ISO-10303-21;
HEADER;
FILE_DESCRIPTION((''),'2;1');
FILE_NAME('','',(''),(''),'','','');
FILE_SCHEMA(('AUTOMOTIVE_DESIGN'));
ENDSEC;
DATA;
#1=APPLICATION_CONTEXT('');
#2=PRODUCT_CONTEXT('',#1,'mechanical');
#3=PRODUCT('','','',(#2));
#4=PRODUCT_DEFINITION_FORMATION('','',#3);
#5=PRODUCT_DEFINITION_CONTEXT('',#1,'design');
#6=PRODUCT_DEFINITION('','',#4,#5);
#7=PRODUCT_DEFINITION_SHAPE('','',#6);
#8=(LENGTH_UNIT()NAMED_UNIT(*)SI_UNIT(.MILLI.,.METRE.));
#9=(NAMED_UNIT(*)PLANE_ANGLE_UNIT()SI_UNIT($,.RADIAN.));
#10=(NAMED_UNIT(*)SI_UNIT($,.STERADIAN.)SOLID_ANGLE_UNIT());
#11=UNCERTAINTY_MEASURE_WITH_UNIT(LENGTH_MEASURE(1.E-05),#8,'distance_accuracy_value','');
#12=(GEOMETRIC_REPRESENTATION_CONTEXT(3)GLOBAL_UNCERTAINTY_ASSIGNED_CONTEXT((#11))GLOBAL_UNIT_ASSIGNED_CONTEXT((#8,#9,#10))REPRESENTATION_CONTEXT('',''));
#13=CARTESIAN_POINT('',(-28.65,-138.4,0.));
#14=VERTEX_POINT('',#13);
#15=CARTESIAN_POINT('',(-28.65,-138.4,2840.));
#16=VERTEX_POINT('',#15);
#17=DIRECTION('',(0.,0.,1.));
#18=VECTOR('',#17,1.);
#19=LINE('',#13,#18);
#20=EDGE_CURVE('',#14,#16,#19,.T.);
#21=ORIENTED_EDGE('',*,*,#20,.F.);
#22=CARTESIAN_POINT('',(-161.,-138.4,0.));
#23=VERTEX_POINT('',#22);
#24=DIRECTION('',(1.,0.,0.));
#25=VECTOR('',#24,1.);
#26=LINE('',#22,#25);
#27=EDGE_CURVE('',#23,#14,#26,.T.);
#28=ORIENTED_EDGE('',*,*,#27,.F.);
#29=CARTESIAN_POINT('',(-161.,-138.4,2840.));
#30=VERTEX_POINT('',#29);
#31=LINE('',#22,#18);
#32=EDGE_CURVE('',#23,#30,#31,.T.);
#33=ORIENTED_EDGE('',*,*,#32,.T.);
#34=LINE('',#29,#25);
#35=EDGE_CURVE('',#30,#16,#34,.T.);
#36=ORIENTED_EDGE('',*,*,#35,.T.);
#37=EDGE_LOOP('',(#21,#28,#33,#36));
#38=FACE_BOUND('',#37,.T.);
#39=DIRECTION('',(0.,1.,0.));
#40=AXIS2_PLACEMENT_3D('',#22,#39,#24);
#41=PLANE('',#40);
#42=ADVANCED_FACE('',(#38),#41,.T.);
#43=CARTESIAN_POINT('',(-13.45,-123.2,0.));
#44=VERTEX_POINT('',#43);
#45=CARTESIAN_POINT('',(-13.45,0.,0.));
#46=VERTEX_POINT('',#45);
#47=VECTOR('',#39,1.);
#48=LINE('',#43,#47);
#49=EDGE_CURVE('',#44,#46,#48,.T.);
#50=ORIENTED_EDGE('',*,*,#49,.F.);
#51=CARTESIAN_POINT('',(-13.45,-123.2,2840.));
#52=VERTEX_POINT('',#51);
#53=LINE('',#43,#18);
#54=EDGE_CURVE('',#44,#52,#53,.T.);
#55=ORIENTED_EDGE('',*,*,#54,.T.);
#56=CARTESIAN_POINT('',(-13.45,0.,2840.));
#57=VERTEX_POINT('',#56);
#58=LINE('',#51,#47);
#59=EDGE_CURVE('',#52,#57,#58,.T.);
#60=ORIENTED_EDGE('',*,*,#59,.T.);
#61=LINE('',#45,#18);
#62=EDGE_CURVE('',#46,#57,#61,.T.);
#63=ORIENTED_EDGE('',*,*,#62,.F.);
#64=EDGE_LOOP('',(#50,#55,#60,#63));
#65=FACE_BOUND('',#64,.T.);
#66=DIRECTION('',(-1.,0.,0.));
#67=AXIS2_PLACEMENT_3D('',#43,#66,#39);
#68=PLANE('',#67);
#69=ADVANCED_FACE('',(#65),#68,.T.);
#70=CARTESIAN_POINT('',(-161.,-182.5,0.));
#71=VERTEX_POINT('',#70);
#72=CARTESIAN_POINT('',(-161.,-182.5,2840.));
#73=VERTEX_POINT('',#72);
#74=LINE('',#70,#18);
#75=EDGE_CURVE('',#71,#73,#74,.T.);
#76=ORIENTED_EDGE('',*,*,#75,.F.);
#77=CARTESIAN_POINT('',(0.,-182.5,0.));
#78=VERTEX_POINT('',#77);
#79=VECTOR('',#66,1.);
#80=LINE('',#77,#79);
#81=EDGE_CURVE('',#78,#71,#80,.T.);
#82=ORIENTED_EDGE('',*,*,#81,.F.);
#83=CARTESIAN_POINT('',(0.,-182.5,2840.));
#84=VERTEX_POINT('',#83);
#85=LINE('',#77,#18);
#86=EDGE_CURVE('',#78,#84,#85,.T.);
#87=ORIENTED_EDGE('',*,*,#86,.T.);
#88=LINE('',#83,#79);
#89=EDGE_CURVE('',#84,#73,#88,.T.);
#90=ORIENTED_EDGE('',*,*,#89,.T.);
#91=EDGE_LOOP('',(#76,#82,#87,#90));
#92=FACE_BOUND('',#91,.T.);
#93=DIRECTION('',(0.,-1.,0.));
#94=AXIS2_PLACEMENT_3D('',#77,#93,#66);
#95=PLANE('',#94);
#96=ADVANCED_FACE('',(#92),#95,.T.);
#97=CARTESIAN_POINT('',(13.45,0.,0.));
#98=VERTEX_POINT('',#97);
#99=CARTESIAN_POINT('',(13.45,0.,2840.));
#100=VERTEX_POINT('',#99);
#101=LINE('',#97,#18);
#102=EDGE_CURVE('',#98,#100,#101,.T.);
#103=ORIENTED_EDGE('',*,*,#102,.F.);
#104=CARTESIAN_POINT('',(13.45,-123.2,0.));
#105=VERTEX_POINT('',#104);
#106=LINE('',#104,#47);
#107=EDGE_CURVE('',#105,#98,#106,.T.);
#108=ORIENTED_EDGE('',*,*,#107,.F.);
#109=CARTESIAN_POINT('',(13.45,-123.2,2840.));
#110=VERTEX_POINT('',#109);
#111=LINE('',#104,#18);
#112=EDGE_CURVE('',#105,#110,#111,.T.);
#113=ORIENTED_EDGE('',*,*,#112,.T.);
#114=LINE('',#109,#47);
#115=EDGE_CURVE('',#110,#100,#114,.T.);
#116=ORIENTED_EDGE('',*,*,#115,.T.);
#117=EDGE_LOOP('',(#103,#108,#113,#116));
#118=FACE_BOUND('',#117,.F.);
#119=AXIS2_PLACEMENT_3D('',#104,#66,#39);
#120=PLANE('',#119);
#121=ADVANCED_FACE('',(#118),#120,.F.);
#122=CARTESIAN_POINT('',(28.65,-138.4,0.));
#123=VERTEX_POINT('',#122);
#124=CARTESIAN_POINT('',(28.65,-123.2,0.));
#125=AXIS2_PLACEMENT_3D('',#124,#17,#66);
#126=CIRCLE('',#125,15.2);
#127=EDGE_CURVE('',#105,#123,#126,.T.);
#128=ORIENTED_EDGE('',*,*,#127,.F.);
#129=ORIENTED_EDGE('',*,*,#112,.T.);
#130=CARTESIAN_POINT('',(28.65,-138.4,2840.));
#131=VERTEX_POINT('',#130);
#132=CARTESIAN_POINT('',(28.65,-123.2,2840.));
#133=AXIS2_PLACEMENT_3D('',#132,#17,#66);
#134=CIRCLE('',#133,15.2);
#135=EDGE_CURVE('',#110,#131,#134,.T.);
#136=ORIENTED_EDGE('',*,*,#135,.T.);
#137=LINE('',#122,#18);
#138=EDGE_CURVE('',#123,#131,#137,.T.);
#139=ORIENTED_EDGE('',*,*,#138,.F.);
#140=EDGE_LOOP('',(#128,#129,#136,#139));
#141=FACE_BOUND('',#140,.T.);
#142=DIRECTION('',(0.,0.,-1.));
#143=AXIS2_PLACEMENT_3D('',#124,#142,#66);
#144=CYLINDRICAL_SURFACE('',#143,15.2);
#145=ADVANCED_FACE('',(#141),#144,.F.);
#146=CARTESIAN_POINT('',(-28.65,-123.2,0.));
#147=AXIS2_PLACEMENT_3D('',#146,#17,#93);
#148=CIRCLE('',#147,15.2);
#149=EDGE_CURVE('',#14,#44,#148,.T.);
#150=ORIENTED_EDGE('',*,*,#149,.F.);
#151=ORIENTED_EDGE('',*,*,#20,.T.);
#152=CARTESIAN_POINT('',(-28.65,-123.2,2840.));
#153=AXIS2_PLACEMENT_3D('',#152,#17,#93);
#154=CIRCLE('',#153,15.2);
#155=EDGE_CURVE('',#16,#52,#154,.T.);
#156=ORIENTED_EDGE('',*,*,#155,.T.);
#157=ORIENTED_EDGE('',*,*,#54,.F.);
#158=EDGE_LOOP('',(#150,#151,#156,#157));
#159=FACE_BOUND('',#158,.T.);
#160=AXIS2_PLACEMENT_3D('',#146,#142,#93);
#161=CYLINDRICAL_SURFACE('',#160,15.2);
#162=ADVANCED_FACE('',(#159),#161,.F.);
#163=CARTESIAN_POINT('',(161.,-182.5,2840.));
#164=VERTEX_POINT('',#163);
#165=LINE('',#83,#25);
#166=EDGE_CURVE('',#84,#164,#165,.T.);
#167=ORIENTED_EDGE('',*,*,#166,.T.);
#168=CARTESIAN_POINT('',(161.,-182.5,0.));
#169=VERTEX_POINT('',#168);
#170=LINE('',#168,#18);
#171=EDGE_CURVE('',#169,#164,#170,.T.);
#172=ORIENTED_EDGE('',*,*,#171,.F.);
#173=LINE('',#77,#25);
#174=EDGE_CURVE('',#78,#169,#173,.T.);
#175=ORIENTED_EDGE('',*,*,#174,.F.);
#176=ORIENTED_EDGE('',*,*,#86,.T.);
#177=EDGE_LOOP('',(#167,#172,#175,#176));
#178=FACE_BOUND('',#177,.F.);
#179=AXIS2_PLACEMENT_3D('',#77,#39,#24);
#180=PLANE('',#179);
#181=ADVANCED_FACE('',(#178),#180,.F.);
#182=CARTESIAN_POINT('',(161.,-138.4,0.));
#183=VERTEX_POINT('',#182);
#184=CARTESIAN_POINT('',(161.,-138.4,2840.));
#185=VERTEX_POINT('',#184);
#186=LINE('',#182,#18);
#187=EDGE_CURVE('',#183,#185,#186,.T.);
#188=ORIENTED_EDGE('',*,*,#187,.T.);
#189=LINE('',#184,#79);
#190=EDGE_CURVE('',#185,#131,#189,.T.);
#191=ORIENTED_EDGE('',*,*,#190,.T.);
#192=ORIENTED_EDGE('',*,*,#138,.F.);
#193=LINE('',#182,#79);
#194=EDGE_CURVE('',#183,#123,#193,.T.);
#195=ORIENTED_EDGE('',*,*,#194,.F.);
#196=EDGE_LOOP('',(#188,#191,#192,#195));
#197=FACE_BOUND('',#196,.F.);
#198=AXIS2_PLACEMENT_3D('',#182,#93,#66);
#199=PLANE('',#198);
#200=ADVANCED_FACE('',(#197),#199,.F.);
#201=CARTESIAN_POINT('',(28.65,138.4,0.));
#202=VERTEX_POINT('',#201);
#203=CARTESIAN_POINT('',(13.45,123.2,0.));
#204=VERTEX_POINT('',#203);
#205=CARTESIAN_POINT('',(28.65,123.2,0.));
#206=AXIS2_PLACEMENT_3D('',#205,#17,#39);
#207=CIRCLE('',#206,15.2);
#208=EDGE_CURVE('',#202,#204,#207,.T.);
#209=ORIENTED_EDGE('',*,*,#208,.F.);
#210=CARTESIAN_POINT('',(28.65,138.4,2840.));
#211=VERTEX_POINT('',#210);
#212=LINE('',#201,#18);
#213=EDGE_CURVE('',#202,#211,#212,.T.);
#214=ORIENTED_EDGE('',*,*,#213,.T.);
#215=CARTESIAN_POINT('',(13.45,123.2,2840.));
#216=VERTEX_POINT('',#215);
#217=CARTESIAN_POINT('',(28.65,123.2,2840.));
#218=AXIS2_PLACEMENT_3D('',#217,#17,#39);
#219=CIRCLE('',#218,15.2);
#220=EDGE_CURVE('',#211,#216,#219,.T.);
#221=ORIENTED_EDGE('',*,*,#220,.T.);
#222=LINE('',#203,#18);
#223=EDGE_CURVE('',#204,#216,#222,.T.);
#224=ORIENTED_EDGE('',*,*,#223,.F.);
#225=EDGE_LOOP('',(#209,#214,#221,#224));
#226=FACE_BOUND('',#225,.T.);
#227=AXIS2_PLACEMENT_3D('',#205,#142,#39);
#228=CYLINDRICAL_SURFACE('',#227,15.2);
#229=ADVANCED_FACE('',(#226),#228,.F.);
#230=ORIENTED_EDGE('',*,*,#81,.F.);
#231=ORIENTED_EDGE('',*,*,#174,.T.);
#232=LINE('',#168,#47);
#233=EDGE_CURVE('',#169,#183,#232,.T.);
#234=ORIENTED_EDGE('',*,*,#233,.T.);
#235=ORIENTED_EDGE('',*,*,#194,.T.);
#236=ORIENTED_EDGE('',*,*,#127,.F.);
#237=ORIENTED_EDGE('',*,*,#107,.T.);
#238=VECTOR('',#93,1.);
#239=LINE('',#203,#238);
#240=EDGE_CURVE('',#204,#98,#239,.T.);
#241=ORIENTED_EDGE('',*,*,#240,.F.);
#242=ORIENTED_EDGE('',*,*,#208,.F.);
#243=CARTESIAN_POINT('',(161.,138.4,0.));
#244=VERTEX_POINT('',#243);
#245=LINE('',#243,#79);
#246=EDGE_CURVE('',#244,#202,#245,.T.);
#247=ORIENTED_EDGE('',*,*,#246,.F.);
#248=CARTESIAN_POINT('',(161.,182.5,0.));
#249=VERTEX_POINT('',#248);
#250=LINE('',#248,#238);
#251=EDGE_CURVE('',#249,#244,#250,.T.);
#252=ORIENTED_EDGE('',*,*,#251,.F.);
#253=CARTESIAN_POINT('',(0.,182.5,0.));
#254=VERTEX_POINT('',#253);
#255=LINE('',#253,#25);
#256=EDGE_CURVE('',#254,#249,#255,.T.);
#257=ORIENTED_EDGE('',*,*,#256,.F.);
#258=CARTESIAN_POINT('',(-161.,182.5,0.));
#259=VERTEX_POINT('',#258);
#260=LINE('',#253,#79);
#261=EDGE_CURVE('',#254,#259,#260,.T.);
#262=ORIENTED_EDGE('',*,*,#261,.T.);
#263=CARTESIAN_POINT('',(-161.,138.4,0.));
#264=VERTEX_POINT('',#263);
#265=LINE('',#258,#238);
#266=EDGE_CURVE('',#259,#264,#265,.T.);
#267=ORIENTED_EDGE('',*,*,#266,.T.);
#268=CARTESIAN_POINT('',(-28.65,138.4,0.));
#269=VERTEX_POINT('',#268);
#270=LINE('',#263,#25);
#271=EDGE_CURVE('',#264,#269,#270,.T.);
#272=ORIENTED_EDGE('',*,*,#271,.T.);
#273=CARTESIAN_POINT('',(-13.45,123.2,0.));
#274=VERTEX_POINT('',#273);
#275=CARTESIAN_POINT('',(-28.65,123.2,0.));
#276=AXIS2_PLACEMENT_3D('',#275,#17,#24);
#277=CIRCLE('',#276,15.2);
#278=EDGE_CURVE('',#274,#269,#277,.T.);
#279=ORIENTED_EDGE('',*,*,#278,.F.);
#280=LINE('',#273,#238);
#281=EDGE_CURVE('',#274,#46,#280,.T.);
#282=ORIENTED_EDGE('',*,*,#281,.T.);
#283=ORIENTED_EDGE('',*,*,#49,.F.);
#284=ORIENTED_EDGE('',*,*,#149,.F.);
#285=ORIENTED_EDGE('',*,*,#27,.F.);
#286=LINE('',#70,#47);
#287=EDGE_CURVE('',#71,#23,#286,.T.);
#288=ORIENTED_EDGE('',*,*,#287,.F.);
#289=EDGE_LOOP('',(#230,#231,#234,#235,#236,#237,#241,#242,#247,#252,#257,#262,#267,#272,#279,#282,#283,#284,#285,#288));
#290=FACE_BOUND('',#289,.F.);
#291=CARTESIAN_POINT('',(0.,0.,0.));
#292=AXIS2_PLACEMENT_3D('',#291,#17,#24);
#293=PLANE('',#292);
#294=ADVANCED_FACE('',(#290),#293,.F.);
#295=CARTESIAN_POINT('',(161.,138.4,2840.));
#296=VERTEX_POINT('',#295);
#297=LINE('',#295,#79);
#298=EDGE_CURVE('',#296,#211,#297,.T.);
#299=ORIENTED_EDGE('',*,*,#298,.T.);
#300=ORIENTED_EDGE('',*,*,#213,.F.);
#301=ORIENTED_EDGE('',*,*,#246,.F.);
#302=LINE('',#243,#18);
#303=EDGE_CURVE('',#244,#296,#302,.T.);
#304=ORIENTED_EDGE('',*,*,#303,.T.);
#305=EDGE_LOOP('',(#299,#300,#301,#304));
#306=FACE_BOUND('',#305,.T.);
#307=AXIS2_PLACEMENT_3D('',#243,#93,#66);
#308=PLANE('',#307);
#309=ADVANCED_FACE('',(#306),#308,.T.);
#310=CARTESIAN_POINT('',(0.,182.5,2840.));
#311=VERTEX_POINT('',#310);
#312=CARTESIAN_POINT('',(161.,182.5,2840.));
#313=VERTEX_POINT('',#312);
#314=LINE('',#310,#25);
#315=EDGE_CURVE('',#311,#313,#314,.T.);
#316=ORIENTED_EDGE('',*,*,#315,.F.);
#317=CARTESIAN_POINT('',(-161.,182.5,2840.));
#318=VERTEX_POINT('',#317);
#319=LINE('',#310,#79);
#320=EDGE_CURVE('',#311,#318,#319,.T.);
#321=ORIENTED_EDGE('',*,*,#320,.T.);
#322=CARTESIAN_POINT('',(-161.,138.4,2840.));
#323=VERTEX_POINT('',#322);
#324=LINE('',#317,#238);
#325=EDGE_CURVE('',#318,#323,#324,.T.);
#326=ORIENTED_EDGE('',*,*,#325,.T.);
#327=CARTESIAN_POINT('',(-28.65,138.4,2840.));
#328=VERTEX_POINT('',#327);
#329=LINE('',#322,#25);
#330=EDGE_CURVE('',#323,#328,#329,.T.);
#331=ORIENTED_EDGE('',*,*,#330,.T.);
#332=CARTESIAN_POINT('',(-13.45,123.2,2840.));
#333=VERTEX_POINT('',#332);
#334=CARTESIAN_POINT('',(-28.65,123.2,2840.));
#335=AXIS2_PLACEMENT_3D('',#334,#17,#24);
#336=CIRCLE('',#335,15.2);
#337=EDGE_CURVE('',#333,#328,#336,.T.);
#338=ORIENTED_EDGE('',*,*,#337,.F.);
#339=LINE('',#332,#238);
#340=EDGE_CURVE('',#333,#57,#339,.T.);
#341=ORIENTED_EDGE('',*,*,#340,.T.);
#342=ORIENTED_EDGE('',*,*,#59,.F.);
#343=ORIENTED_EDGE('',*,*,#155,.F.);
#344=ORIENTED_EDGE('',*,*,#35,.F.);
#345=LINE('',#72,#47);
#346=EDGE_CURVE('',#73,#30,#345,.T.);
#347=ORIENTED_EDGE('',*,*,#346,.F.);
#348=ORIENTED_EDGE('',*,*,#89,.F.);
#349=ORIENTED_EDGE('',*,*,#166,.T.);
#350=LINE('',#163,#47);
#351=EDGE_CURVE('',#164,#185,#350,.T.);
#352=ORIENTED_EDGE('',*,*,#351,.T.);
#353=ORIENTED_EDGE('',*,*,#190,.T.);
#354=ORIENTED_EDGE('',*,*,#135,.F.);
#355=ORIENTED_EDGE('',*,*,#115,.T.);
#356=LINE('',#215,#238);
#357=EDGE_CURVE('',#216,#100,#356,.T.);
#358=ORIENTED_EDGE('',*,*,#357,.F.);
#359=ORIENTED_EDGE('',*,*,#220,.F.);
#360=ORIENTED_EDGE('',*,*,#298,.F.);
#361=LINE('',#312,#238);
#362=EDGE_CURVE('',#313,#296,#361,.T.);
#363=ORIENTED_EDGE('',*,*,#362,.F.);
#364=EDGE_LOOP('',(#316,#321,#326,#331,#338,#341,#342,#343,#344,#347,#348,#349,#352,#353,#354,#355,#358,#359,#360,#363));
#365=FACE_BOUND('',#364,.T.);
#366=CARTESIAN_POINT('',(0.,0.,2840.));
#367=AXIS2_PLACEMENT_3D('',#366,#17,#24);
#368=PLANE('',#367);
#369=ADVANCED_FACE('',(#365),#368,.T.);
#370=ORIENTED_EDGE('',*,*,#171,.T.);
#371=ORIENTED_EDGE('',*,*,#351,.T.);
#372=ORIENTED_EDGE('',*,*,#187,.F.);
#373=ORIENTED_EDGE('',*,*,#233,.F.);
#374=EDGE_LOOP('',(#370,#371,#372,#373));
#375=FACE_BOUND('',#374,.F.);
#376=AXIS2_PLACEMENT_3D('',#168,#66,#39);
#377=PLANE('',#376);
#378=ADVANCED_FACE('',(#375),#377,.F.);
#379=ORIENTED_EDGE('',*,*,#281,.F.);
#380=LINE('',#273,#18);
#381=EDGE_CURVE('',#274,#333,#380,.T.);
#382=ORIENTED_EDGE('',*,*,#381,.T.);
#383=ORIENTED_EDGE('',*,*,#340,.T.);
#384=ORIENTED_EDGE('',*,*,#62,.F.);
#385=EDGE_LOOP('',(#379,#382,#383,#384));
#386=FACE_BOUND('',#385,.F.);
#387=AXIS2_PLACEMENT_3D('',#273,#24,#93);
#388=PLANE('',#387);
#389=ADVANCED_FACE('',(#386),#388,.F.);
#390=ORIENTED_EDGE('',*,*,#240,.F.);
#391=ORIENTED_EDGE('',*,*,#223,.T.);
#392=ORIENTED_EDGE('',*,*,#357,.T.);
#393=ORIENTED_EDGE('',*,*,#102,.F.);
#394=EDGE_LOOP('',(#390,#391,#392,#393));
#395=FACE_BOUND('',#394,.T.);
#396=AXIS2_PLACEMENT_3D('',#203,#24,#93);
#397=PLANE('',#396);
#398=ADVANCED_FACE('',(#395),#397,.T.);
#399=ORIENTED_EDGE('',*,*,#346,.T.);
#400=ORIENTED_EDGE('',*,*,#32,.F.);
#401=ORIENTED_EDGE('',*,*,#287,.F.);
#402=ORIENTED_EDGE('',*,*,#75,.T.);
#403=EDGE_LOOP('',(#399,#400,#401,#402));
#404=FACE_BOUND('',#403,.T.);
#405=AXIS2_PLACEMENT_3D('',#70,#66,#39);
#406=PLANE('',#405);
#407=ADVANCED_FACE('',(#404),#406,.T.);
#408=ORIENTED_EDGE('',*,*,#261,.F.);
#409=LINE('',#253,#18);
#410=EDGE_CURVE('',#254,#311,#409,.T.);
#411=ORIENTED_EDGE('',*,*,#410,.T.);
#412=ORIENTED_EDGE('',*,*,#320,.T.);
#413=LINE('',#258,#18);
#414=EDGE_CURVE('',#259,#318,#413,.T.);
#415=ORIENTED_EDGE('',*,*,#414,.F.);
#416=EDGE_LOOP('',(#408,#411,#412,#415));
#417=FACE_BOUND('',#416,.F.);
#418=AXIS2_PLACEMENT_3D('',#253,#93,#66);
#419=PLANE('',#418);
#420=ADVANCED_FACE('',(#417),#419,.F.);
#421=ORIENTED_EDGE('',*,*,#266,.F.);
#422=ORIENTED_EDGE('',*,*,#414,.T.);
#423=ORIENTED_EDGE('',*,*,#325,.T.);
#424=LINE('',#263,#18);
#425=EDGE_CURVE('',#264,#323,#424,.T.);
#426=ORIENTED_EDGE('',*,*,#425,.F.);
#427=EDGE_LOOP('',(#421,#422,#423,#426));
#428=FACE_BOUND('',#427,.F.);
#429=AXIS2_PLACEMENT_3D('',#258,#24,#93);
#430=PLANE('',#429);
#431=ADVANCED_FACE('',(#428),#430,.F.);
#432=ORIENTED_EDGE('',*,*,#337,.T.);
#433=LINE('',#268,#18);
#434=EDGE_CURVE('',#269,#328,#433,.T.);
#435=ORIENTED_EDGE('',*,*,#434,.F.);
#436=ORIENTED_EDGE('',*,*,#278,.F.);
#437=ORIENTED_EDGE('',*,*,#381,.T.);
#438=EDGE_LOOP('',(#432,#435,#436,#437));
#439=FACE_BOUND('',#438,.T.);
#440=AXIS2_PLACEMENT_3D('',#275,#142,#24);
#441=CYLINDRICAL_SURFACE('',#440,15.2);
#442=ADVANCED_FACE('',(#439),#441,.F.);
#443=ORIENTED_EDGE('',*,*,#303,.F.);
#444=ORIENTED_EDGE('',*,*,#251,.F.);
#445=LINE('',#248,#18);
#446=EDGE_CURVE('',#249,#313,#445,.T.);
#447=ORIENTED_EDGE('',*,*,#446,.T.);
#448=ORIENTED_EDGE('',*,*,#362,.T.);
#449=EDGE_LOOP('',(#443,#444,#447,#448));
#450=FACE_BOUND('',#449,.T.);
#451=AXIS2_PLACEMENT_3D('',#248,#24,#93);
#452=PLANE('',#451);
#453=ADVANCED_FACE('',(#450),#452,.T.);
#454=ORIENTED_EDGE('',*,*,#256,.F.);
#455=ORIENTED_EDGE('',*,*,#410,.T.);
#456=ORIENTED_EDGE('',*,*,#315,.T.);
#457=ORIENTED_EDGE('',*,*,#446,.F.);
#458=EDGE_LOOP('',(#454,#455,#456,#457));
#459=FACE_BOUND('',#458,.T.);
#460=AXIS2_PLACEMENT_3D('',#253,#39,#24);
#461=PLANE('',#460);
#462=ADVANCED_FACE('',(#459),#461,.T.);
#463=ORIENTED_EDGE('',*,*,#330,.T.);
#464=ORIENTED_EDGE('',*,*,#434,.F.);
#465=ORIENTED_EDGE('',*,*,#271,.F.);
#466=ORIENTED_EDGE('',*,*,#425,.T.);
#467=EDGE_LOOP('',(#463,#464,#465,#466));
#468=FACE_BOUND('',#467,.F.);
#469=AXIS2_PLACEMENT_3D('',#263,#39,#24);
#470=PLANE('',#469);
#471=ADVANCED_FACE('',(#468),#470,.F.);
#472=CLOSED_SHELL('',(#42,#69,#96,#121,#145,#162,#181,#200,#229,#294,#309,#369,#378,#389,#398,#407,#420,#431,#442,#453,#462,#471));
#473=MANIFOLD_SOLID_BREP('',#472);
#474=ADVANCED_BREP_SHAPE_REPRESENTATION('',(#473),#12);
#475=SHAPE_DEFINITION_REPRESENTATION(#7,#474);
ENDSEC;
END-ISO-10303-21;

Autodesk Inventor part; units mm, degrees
ref_plane "YZ Plane" through (0, 0, 0) normal (1, 0, 0) x (0, 1, 0)
ref_plane "Start plane" through (0, 0, 0) normal (0, 0, 1) x (1, 0, 0)
ref_plane "End plane" through (0, 0, 2840) normal (0, 0, 1) x (1, 0, 0)
sketch "Sketch" plane through (0, 0, 0) normal (0, 0, 1) x (1, 0, 0)
  line L0 (-161, -182.5) -> (-161, -138.4)
  line L1 (-161, -138.4) -> (-28.65, -138.4)
  line L2 (-13.45, -123.2) -> (-13.45, 0)
  line L3 (-13.45, 0) -> (0, 0) construction
  line L4 (0, 0) -> (0, -182.5) construction
  line L5 (0, -182.5) -> (-161, -182.5)
  line L6 (-60, 0) -> (80, 0) construction
  line L7 (0, -60) -> (0, 80) construction
  line L8 (161, -182.5) -> (161, -138.4)
  line L9 (161, -138.4) -> (28.65, -138.4)
  line L10 (13.45, -123.2) -> (13.45, 0)
  line L11 (13.45, 0) -> (0, 0) construction
  line L12 (0, -182.5) -> (161, -182.5)
  line L13 (-161, 182.5) -> (-161, 138.4)
  line L14 (-161, 138.4) -> (-28.65, 138.4)
  line L15 (-13.45, 123.2) -> (-13.45, 0)
  line L16 (0, 182.5) -> (-161, 182.5)
  line L17 (161, 182.5) -> (161, 138.4)
  line L18 (161, 138.4) -> (28.65, 138.4)
  line L19 (0, 182.5) -> (161, 182.5)
  line L20 (13.45, 123.2) -> (13.45, 0)
  arc A0 (-13.45, 123.2) -> (-28.65, 138.4) centre (-28.65, 123.2) ccw
  arc A1 (28.65, 138.4) -> (13.45, 123.2) centre (28.65, 123.2) ccw
  arc A2 (13.45, -123.2) -> (28.65, -138.4) centre (28.65, -123.2) ccw
  arc A3 (-28.65, -138.4) -> (-13.45, -123.2) centre (-28.65, -123.2) ccw
  line L21 (0, 108) -> (0, -88) construction
  line L22 (-88, 0) -> (108, 0) construction
  point P0 (-13.45, -138.4)
  point P1 (13.45, -138.4)
  point P2 (-13.45, 138.4)
  point P3 (13.45, 138.4)
  dimension "d1" = 182.5
  dimension "d2" = 44.1
  dimension "d3" = 161
  dimension "d4" = 13.45
  dimension "d10" = 15.2
extrude "Body" add sketch "Sketch" along normal up to surface (2840 mm away) from surface at 0
sketch "Sketch4" plane through (0, 0, 0) normal (0, 0, 1) x (1, 0, 0)
  line L0 (0, 0) -> (10, 0)
ref_plane "Work Plane3" through (0, 0, 0) normal (0, -1, 0) x (1, 0, 0)
sketch "Sketch5" plane through (0, 0, 0) normal (0, -1, 0) x (1, 0, 0)
  line L0 (-2, 0) -> (12, 0) projected
  line L1 (-2, 2840) -> (12, 2840) projected
  dimension "d14" = 2840
equation "\"d1\" = 0.5 * G_H"
equation "\"d2\" = G_T1"
equation "\"d3\" = 0.5 * G_W"
equation "\"d4\" = 0.5 * G_T"
equation "\"d10\" = G_IR"
equation "\"d5\" = G_L"
equation "\"G_W\" = 322"
equation "\"G_H\" = 365"
equation "\"G_T\" = 26.9"
equation "\"G_T1\" = 44.1"
equation "\"G_IR\" = 15.2"
equation "\"G_L\" = d14"
equation "\"G_OFFSET_START\" = 0"
equation "\"G_OFFSET_END\" = 0"
properties part number "AS 3679 - 310 UC - 283 - 2840" material "Steel, Mild"
